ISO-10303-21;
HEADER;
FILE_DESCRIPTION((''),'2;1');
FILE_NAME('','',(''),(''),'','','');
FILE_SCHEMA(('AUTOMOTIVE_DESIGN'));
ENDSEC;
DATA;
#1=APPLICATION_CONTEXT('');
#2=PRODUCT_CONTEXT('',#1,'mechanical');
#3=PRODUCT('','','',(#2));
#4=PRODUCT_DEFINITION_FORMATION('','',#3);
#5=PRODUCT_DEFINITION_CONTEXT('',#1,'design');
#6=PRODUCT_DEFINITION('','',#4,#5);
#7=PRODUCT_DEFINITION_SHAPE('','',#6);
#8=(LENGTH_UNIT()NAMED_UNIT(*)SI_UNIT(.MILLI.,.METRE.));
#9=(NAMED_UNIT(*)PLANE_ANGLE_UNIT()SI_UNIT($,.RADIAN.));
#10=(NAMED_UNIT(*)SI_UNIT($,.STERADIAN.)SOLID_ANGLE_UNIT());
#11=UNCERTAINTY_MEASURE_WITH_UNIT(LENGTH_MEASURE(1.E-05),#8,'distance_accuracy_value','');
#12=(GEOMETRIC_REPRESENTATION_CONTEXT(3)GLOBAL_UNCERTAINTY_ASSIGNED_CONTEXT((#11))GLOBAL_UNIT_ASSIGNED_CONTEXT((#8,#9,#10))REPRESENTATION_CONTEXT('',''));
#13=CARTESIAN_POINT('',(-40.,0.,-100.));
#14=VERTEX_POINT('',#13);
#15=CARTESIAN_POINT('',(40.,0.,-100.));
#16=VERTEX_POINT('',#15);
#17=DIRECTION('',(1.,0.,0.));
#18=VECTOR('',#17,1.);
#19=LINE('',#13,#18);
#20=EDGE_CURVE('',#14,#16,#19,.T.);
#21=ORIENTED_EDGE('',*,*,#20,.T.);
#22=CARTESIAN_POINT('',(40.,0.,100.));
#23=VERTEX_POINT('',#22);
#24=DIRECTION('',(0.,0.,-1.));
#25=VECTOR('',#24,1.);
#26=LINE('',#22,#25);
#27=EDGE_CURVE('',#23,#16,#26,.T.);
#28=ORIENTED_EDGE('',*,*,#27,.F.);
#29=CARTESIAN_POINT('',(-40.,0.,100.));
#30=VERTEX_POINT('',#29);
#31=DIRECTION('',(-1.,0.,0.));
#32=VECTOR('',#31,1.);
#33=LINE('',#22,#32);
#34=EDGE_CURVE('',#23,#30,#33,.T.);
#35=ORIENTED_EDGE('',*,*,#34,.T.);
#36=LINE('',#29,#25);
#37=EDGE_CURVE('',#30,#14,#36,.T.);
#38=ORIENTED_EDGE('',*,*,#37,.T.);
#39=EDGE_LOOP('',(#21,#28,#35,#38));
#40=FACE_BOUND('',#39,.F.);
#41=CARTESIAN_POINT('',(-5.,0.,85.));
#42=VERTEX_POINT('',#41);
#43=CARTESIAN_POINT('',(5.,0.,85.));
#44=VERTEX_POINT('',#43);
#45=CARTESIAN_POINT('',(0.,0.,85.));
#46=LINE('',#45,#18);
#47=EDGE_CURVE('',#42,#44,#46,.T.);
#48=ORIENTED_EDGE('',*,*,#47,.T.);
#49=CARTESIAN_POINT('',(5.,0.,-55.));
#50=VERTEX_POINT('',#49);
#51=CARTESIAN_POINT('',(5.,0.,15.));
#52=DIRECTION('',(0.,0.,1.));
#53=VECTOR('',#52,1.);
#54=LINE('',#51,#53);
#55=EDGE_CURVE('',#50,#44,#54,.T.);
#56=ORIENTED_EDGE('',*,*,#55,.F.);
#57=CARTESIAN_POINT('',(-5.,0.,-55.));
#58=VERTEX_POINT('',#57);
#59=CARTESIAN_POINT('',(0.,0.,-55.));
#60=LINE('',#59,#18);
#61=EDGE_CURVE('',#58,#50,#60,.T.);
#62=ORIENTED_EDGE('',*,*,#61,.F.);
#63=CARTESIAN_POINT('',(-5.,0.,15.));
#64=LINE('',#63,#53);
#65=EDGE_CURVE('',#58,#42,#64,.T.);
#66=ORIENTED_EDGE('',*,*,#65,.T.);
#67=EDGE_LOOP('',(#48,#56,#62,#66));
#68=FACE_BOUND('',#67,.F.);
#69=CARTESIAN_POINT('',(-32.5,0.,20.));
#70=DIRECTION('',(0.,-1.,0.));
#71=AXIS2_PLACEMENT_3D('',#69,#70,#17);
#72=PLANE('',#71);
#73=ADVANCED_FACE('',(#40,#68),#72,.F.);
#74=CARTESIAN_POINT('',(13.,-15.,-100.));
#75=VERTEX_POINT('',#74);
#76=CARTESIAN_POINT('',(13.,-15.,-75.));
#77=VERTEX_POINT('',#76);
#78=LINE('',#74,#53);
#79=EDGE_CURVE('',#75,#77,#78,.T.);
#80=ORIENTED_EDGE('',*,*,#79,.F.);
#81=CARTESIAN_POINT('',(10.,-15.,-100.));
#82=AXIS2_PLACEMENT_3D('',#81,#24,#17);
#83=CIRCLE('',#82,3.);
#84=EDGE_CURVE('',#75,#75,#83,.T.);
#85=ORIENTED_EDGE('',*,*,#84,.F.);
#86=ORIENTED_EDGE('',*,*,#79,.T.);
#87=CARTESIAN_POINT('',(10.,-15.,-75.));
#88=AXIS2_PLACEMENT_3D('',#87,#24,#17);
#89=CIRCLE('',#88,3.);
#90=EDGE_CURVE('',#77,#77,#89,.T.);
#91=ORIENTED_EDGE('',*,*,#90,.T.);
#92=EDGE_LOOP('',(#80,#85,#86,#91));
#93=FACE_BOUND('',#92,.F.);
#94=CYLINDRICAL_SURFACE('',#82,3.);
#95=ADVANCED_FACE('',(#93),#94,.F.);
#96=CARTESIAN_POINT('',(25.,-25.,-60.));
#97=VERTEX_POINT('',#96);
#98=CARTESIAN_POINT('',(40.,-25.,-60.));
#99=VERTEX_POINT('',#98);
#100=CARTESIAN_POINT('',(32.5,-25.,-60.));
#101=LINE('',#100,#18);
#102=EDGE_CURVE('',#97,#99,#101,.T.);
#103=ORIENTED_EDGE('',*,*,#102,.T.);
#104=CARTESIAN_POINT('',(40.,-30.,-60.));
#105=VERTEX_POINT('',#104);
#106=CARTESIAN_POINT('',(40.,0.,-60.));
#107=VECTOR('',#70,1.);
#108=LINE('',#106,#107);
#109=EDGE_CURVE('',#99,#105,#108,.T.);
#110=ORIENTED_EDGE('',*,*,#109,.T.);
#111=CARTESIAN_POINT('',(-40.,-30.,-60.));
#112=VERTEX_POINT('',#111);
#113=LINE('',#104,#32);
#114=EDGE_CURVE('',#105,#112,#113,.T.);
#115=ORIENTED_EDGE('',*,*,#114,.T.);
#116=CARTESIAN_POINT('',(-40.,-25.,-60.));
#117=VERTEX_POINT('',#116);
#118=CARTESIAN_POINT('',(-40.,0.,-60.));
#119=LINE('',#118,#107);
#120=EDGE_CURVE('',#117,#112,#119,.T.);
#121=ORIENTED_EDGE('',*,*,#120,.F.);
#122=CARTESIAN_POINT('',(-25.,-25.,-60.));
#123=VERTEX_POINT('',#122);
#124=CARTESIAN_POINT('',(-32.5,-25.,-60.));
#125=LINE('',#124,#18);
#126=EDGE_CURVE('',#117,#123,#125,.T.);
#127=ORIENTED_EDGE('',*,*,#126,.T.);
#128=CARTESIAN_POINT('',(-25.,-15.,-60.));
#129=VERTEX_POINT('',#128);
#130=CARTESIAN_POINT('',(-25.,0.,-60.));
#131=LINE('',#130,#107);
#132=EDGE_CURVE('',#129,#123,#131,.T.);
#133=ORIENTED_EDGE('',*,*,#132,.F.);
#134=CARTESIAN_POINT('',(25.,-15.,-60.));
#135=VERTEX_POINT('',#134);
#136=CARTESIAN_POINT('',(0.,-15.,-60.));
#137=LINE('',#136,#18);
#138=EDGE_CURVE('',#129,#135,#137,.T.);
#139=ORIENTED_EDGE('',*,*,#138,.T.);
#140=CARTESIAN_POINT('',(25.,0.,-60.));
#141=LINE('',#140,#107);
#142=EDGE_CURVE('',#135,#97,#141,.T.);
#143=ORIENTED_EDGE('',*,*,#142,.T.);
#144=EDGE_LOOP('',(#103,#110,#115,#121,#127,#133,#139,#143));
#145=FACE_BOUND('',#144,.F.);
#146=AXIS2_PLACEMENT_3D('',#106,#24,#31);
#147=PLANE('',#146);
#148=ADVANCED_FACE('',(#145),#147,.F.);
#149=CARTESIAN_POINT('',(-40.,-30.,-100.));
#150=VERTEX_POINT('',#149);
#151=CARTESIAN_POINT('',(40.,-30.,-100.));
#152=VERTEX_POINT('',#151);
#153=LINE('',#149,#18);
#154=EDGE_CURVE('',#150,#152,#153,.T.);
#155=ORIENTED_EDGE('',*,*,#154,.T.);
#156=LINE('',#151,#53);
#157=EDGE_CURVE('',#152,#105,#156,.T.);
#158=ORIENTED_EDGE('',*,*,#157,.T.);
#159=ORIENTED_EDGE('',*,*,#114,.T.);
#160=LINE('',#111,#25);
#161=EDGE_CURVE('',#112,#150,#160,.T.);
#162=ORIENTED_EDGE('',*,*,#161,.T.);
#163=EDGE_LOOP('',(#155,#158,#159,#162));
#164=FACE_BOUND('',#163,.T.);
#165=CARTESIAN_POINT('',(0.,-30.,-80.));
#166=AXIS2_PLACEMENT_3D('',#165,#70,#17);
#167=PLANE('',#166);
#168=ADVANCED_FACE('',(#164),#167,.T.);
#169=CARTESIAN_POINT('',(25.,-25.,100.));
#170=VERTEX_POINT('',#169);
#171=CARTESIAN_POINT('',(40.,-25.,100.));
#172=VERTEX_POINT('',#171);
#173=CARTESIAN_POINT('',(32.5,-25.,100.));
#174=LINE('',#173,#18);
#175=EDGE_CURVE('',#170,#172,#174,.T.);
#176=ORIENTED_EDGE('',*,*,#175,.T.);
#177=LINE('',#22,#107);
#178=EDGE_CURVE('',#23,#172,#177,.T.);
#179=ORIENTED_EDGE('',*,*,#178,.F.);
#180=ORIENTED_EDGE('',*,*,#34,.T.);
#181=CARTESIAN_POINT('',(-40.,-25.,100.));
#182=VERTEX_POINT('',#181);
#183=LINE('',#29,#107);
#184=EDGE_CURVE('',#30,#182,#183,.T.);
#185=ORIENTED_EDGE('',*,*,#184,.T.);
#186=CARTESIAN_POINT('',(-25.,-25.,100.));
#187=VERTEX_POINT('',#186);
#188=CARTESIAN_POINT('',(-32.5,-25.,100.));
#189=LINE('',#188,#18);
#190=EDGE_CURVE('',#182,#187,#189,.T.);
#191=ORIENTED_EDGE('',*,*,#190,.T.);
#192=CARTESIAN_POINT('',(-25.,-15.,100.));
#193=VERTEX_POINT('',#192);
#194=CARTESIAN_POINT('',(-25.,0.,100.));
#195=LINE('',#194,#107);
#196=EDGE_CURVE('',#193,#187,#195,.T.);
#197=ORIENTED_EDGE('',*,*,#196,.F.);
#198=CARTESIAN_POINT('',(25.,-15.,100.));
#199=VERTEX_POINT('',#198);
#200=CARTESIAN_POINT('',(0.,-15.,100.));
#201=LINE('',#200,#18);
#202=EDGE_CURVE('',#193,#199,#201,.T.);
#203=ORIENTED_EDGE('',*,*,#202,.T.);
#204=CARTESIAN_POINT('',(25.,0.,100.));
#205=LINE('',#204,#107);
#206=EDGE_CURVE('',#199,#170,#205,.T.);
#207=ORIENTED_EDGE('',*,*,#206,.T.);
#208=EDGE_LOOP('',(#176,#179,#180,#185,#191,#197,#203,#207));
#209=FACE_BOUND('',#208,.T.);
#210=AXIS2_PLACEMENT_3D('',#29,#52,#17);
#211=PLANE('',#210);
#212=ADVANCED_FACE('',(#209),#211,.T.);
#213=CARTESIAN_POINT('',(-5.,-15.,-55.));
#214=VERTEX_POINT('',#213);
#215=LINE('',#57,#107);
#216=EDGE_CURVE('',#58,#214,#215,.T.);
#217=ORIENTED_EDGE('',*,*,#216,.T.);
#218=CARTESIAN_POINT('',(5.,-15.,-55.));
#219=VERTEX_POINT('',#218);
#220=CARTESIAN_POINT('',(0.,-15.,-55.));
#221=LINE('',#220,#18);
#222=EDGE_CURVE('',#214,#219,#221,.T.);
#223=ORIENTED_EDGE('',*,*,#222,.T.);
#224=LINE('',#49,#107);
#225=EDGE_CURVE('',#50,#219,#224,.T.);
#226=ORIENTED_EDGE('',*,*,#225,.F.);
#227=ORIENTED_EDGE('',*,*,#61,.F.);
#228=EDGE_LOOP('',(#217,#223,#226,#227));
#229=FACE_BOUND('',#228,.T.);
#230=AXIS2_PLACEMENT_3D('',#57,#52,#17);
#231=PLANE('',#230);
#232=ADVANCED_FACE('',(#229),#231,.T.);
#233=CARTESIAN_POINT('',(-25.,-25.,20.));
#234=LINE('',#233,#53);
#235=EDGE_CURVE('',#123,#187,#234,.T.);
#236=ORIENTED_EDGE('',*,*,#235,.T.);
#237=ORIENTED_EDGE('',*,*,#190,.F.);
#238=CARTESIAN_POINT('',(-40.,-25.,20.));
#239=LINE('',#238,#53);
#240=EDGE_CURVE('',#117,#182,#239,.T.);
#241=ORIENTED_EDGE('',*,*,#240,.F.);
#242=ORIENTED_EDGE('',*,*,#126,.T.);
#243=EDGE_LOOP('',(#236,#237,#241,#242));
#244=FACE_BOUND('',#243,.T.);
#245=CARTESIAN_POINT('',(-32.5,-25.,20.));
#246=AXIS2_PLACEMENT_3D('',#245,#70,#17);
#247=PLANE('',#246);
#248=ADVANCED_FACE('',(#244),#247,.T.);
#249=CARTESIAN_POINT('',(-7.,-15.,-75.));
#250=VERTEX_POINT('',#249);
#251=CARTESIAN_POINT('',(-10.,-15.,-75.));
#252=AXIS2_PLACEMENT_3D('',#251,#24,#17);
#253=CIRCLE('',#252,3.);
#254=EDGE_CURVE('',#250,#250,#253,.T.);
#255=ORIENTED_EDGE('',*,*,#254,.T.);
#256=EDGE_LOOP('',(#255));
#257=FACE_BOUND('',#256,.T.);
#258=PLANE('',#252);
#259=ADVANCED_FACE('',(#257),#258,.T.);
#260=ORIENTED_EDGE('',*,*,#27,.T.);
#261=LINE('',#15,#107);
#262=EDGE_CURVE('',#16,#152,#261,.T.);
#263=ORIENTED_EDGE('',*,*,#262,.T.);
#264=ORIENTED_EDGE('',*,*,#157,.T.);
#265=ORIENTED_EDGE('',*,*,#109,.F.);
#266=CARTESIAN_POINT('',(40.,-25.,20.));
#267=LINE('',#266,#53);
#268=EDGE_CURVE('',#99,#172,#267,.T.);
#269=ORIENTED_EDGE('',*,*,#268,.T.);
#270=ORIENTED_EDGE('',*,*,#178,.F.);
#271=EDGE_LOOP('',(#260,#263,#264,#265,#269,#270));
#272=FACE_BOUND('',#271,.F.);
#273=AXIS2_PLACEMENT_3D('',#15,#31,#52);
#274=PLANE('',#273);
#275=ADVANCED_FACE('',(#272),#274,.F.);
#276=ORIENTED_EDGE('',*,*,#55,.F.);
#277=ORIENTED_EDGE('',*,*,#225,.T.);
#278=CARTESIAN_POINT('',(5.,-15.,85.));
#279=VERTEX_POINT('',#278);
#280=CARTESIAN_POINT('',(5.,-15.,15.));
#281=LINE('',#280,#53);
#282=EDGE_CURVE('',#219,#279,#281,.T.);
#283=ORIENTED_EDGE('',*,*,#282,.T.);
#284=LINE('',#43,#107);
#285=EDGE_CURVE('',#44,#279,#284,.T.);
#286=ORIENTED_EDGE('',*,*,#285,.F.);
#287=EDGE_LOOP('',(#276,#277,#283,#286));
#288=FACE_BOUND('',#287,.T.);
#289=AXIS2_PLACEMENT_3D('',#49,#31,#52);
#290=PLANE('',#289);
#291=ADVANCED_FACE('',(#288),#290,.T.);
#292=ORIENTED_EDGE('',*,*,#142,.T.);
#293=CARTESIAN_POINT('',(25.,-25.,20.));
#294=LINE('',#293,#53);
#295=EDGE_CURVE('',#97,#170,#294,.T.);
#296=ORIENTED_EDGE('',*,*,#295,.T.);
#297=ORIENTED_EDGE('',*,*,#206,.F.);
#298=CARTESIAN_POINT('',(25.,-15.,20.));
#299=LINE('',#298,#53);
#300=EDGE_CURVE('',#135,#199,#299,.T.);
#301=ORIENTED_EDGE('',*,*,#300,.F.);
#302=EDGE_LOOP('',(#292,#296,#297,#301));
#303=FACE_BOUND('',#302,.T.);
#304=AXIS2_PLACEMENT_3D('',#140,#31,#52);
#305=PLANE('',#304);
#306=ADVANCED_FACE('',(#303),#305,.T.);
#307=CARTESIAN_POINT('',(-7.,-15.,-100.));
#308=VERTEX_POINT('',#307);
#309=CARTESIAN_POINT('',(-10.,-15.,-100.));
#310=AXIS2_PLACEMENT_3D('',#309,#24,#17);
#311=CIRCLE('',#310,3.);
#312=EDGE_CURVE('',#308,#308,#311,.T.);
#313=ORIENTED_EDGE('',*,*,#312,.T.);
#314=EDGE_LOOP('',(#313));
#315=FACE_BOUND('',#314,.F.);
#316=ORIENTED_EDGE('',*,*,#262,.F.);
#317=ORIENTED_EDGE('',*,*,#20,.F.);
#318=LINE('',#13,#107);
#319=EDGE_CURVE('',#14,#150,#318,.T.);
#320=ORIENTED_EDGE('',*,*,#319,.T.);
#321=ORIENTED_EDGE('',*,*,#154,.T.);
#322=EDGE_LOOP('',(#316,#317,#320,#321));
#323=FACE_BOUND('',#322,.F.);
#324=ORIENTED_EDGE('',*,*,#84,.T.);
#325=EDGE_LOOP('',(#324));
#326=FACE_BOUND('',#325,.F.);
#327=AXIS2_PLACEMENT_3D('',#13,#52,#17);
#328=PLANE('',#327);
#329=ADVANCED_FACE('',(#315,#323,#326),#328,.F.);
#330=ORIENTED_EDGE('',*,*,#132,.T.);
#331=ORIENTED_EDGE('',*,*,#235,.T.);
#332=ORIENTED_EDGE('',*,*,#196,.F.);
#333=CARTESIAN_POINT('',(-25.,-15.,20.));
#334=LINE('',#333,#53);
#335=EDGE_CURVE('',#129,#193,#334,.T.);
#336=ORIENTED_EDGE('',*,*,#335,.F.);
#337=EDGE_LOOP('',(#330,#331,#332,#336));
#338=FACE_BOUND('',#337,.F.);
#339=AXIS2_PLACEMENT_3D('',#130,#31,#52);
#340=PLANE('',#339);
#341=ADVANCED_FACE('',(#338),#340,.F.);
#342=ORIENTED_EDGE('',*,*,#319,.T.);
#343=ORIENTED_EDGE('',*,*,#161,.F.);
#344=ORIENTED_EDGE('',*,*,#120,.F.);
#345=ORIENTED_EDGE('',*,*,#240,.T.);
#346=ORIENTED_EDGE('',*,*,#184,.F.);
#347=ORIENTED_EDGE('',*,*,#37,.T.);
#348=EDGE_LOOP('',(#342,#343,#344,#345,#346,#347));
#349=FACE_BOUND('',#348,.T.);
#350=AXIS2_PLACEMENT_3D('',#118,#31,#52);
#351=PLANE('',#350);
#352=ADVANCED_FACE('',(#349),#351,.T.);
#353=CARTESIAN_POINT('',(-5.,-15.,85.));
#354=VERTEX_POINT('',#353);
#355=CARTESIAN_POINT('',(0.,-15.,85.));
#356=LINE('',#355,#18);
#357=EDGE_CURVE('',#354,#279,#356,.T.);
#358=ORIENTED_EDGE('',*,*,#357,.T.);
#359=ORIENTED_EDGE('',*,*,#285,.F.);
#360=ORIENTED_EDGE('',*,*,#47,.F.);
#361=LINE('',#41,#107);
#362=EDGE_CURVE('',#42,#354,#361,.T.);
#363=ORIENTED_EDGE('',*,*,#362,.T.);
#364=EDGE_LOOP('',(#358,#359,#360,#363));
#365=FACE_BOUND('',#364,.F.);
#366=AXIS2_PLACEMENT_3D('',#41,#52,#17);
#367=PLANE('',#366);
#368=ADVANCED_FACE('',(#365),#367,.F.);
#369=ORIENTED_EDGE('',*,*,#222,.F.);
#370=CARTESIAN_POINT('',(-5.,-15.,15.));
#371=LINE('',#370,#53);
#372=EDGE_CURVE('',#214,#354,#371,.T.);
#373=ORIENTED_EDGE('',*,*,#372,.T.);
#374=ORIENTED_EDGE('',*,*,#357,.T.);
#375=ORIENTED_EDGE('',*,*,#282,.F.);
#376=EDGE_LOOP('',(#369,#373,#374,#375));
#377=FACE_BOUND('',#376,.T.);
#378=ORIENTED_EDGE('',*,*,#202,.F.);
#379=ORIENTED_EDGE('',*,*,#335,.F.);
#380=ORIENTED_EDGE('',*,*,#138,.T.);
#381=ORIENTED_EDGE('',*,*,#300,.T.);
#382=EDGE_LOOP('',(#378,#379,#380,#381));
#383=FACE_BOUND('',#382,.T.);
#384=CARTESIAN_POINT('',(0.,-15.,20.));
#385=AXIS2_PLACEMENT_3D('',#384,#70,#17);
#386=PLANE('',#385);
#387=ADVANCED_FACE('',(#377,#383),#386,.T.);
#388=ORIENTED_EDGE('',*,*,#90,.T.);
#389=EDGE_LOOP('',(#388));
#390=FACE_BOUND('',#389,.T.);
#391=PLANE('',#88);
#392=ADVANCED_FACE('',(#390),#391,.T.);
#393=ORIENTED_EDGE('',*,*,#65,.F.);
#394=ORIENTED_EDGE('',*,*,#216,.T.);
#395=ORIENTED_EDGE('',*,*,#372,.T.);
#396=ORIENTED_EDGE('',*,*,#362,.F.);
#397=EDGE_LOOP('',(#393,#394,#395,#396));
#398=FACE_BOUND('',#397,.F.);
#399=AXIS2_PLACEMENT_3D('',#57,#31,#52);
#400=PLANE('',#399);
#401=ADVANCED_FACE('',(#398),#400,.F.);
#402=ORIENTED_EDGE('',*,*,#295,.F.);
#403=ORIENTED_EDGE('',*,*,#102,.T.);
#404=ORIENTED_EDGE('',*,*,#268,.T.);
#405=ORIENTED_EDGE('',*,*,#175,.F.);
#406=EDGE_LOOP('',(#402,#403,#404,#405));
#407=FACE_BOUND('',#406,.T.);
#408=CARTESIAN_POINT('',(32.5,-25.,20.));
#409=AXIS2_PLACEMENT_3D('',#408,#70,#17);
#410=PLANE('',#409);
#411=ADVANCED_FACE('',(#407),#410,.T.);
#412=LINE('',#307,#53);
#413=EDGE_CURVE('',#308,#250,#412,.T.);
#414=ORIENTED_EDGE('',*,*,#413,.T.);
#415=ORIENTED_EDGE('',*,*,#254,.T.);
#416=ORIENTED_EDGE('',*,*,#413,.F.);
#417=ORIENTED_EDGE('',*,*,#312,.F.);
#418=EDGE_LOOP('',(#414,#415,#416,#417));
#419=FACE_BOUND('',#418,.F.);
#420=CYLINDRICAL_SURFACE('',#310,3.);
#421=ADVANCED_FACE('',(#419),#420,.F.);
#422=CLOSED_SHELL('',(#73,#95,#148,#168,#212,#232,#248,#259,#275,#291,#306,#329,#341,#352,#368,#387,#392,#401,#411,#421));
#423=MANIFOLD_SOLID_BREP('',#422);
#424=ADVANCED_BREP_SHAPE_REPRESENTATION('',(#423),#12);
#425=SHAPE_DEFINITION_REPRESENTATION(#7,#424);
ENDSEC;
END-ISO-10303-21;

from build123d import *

# Parameters (mm, degrees)
F0_W     = 50
F0_H     = 160
F0_W_2   = 10
F0_H_2   = 140
F1_DEPTH = 15
F2_DEPTH = 30
F3_R     = 3
F4_DEPTH = 25
F0_W_3   = 15
F5_DEPTH = 25


with BuildPart() as f1:
    # F0 (on Front) → F1 (new body)
    with BuildSketch(Plane.XZ):
        with Locations((0, 20)):
            Rectangle(F0_W, F0_H)
        with Locations((0, 15)):
            Rectangle(F0_W_2, F0_H_2, mode=Mode.SUBTRACT)
    extrude(amount=F1_DEPTH)

    # F0 (on Front) → F2 (join)
    with BuildSketch(Plane.XZ):
        Polygon((-40, -100), (40, -100), (40, -60), (25, -60), (-25, -60), (-40, -60), align=None)
    extrude(amount=F2_DEPTH)

    # F3 (on face) → F4 (cut)
    with BuildSketch(Plane(origin=(0, 0, -100), x_dir=(1, 0, 0), z_dir=(0, 0, -1))):
        with Locations((-10, 15)):
            Circle(F3_R)
        with Locations((10, 15)):
            Circle(F3_R)
    extrude(amount=-F4_DEPTH, mode=Mode.SUBTRACT)

    # F0 (on Front) → F5 (join)
    with BuildSketch(Plane.XZ):
        with Locations((-32.5, 20)):
            Rectangle(F0_W_3, F0_H)
        with Locations((32.5, 20)):
            Rectangle(F0_W_3, F0_H)
    extrude(amount=F5_DEPTH)


solid = f1.part
